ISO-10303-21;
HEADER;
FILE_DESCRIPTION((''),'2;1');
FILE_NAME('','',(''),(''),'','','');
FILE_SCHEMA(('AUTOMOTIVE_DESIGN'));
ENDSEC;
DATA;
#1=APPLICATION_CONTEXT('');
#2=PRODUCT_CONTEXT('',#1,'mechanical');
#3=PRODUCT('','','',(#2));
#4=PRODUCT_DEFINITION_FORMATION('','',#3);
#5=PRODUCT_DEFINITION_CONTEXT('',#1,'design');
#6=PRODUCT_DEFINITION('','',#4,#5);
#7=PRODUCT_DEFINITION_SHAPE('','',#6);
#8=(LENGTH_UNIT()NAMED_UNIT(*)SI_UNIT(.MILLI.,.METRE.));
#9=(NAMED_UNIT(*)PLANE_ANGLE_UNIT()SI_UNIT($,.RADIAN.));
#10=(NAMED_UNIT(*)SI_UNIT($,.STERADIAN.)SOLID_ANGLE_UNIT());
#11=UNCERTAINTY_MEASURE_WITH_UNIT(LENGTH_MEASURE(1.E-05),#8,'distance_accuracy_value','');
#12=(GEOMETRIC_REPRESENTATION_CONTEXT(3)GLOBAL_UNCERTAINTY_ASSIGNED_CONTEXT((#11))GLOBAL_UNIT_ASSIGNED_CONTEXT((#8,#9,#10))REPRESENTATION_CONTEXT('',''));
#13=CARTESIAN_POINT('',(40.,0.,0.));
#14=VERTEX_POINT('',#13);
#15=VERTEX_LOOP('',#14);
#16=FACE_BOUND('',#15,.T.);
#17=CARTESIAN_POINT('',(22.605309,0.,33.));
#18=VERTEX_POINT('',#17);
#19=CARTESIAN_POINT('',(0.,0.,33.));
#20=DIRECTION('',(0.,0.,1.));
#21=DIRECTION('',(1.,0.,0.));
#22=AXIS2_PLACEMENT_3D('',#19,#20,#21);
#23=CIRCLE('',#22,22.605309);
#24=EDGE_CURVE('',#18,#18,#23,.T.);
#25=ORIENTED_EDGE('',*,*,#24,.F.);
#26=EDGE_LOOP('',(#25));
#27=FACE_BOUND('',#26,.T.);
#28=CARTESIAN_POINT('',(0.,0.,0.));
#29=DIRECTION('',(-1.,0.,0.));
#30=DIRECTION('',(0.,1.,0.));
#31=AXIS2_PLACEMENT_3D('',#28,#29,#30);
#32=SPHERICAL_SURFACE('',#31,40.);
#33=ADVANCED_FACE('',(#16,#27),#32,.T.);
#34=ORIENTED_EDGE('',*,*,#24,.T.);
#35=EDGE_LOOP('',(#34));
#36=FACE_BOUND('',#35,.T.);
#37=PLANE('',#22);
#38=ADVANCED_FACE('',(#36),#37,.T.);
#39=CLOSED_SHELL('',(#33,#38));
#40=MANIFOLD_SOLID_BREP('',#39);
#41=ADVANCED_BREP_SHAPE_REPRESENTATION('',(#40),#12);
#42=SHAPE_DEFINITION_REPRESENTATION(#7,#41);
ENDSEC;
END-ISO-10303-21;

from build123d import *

# Parameters (mm, degrees)
F3_R     = 22.6053091109
F4_DEPTH = 7


with BuildPart() as f1:
    # F0 (on Top) → F1 (revolve)
    with BuildSketch(Plane.XY):
        with BuildLine():
            Line((-40, 0), (40, 0))
            ThreePointArc((40, 0), (0, 40), (-40, 0))
        make_face()
    revolve(axis=Axis((-25, 0, 0), (-1, 0, 0)))

    # F3 (on offset) → F4 (cut, through all)
    with BuildSketch(Plane.XY.offset(33)):
        Circle(F3_R)
    extrude(amount=F4_DEPTH, mode=Mode.SUBTRACT)


solid = f1.part
